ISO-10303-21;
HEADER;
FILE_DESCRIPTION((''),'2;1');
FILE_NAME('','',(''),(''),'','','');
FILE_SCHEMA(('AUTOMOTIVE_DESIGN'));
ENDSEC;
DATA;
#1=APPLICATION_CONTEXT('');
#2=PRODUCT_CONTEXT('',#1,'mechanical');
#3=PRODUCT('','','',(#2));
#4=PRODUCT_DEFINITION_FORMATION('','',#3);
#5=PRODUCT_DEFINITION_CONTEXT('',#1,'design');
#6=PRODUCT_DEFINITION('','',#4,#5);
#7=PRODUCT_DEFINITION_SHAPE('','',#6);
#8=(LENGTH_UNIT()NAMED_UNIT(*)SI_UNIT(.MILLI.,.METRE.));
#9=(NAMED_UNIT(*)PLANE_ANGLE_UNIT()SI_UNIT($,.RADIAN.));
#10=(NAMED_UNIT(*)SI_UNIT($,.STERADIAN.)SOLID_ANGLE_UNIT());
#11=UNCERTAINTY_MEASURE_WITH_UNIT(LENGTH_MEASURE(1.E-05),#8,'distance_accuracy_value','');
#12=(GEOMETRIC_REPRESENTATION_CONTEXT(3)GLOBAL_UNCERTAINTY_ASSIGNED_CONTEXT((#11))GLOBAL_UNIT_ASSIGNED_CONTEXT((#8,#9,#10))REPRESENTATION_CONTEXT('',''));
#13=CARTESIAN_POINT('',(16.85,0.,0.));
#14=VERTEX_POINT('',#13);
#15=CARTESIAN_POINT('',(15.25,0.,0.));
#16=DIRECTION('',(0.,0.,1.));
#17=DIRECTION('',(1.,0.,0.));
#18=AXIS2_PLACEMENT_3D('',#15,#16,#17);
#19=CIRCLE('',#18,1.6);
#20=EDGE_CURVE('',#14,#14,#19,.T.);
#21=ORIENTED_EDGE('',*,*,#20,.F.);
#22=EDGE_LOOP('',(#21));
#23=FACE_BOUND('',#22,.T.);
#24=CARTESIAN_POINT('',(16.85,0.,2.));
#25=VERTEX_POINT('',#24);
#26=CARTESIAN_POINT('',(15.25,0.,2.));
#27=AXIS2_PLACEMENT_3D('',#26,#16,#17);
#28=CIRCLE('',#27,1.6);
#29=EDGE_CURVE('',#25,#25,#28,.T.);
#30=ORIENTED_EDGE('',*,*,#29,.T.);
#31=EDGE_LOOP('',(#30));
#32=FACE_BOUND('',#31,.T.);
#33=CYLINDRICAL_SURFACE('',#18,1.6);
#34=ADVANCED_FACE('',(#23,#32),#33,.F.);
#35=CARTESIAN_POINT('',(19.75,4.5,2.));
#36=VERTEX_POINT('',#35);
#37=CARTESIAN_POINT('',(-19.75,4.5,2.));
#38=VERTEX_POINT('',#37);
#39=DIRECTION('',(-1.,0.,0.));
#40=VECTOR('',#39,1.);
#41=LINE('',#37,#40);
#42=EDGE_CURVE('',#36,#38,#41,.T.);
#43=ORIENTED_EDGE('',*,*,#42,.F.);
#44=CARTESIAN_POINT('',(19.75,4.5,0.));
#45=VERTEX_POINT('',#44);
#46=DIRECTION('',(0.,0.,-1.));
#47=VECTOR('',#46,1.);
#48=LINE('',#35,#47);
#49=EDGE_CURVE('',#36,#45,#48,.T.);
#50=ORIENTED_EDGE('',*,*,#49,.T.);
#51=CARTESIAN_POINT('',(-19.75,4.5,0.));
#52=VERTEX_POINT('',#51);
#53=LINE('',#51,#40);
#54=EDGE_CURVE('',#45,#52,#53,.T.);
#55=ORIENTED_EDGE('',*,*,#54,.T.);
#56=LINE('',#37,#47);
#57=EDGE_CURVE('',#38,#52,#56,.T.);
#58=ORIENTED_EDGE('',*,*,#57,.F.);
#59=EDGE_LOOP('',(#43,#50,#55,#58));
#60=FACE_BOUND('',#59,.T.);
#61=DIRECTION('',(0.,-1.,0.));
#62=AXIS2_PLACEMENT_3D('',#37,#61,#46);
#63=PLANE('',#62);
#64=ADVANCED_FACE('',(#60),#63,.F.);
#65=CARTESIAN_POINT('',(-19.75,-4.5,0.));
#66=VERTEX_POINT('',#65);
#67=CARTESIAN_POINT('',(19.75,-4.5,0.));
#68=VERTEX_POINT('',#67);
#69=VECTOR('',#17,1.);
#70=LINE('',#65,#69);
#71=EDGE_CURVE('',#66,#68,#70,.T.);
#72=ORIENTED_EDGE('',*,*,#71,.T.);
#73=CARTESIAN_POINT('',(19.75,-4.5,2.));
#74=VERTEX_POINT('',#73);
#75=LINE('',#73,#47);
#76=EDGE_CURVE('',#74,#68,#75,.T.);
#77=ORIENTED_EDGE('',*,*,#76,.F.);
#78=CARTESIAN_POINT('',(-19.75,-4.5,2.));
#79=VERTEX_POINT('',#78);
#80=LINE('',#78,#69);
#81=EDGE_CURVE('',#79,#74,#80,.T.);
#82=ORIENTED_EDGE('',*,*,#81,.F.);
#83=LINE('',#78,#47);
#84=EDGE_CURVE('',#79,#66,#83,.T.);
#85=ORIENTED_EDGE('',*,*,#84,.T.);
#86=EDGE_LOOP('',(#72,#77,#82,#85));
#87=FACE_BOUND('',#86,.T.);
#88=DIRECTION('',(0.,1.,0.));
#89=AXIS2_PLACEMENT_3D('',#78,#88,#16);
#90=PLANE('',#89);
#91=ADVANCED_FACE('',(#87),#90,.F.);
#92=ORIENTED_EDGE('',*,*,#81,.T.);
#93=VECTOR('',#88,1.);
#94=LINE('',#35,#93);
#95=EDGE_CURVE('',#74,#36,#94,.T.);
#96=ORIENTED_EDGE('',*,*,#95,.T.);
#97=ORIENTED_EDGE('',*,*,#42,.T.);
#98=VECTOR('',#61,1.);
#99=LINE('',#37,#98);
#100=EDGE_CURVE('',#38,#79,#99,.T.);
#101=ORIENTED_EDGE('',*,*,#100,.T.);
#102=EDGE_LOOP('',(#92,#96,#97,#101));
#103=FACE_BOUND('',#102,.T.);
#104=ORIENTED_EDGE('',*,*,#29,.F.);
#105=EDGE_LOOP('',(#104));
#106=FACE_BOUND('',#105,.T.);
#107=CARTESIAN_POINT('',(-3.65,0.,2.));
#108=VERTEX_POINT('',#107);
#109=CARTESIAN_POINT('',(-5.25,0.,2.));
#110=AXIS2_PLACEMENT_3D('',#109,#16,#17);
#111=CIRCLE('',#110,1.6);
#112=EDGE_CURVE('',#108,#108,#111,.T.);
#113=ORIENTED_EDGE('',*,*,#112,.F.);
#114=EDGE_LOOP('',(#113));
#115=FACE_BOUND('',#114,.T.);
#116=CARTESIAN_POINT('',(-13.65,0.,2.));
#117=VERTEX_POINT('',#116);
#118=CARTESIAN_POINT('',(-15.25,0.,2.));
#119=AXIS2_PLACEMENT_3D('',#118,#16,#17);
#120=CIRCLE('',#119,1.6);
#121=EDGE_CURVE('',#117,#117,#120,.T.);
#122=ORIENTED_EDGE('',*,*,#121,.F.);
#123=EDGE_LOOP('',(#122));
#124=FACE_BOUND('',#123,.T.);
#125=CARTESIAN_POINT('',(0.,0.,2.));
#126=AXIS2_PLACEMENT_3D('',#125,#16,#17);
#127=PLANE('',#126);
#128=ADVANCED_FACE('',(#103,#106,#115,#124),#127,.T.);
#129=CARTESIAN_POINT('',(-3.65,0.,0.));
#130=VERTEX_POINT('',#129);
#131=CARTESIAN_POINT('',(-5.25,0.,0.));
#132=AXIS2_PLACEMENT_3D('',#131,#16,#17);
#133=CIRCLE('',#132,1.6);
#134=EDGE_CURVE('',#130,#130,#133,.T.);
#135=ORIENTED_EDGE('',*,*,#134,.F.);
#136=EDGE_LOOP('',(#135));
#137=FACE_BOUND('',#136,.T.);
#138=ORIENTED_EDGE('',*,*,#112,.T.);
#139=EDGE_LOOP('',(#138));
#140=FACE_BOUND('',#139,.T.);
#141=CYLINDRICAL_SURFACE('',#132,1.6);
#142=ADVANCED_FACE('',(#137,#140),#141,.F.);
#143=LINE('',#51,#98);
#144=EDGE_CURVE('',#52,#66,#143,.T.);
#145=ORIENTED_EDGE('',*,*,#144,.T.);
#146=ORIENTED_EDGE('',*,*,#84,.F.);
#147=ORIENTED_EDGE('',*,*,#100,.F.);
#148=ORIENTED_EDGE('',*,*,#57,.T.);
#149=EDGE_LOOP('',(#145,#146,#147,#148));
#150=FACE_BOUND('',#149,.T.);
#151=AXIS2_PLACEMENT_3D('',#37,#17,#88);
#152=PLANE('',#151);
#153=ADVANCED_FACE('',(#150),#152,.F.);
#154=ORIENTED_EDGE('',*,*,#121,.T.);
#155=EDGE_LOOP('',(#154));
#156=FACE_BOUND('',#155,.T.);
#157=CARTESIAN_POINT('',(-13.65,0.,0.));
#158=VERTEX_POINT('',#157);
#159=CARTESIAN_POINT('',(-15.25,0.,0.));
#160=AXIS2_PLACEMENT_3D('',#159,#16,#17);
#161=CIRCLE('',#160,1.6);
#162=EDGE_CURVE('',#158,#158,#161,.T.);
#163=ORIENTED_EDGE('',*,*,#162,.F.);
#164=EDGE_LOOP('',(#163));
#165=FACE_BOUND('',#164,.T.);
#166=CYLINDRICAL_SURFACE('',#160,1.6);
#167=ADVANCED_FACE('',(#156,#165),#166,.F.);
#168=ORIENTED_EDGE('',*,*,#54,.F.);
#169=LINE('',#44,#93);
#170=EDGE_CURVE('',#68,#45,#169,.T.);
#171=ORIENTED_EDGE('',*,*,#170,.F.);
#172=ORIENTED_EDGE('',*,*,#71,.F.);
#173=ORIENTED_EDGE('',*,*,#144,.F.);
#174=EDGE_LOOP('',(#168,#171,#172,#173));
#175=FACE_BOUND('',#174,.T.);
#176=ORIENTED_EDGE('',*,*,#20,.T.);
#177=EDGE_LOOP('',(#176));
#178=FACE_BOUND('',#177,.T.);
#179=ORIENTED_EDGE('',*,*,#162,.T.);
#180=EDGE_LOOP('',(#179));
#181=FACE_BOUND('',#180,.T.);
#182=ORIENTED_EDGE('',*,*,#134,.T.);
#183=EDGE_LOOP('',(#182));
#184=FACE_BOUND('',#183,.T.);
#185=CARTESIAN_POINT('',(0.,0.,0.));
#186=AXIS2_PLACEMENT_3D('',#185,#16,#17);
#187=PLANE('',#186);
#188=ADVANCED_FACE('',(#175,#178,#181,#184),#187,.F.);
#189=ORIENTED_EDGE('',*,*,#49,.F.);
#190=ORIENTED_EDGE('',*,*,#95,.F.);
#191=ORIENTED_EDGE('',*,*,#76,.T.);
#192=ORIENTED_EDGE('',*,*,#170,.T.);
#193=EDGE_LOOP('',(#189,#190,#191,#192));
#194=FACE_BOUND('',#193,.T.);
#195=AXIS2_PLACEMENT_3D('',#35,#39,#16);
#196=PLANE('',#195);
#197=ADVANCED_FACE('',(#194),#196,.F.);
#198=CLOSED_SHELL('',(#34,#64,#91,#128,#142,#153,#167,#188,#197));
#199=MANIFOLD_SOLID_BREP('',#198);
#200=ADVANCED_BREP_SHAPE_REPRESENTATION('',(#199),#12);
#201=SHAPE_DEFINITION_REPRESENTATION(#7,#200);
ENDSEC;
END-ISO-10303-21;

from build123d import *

# Parameters (mm, degrees)
SKETCH_1_W          = 39.5
SKETCH_1_H          = 9
EXTRUDE_1_DEPTH     = 2
SKETCH_2_R          = 1.6
CUT_EXTRUDE_1_DEPTH = 2


with BuildPart() as part:
    # ｽｹｯﾁ1 → ﾎﾞｽ - 押し出し1 (new body)
    with BuildSketch(Plane.XY):
        Rectangle(SKETCH_1_W, SKETCH_1_H)
    extrude(amount=EXTRUDE_1_DEPTH)

    # ｽｹｯﾁ2 → ｶｯﾄ - 押し出し1 (cut)
    with BuildSketch(Plane.XY.offset(2)):
        with Locations((-15.25, 0)):
            Circle(SKETCH_2_R)
        with Locations((-5.25, 0)):
            Circle(SKETCH_2_R)
        with Locations((15.25, 0)):
            Circle(SKETCH_2_R)
    extrude(amount=-CUT_EXTRUDE_1_DEPTH, mode=Mode.SUBTRACT)


solid = part.part
